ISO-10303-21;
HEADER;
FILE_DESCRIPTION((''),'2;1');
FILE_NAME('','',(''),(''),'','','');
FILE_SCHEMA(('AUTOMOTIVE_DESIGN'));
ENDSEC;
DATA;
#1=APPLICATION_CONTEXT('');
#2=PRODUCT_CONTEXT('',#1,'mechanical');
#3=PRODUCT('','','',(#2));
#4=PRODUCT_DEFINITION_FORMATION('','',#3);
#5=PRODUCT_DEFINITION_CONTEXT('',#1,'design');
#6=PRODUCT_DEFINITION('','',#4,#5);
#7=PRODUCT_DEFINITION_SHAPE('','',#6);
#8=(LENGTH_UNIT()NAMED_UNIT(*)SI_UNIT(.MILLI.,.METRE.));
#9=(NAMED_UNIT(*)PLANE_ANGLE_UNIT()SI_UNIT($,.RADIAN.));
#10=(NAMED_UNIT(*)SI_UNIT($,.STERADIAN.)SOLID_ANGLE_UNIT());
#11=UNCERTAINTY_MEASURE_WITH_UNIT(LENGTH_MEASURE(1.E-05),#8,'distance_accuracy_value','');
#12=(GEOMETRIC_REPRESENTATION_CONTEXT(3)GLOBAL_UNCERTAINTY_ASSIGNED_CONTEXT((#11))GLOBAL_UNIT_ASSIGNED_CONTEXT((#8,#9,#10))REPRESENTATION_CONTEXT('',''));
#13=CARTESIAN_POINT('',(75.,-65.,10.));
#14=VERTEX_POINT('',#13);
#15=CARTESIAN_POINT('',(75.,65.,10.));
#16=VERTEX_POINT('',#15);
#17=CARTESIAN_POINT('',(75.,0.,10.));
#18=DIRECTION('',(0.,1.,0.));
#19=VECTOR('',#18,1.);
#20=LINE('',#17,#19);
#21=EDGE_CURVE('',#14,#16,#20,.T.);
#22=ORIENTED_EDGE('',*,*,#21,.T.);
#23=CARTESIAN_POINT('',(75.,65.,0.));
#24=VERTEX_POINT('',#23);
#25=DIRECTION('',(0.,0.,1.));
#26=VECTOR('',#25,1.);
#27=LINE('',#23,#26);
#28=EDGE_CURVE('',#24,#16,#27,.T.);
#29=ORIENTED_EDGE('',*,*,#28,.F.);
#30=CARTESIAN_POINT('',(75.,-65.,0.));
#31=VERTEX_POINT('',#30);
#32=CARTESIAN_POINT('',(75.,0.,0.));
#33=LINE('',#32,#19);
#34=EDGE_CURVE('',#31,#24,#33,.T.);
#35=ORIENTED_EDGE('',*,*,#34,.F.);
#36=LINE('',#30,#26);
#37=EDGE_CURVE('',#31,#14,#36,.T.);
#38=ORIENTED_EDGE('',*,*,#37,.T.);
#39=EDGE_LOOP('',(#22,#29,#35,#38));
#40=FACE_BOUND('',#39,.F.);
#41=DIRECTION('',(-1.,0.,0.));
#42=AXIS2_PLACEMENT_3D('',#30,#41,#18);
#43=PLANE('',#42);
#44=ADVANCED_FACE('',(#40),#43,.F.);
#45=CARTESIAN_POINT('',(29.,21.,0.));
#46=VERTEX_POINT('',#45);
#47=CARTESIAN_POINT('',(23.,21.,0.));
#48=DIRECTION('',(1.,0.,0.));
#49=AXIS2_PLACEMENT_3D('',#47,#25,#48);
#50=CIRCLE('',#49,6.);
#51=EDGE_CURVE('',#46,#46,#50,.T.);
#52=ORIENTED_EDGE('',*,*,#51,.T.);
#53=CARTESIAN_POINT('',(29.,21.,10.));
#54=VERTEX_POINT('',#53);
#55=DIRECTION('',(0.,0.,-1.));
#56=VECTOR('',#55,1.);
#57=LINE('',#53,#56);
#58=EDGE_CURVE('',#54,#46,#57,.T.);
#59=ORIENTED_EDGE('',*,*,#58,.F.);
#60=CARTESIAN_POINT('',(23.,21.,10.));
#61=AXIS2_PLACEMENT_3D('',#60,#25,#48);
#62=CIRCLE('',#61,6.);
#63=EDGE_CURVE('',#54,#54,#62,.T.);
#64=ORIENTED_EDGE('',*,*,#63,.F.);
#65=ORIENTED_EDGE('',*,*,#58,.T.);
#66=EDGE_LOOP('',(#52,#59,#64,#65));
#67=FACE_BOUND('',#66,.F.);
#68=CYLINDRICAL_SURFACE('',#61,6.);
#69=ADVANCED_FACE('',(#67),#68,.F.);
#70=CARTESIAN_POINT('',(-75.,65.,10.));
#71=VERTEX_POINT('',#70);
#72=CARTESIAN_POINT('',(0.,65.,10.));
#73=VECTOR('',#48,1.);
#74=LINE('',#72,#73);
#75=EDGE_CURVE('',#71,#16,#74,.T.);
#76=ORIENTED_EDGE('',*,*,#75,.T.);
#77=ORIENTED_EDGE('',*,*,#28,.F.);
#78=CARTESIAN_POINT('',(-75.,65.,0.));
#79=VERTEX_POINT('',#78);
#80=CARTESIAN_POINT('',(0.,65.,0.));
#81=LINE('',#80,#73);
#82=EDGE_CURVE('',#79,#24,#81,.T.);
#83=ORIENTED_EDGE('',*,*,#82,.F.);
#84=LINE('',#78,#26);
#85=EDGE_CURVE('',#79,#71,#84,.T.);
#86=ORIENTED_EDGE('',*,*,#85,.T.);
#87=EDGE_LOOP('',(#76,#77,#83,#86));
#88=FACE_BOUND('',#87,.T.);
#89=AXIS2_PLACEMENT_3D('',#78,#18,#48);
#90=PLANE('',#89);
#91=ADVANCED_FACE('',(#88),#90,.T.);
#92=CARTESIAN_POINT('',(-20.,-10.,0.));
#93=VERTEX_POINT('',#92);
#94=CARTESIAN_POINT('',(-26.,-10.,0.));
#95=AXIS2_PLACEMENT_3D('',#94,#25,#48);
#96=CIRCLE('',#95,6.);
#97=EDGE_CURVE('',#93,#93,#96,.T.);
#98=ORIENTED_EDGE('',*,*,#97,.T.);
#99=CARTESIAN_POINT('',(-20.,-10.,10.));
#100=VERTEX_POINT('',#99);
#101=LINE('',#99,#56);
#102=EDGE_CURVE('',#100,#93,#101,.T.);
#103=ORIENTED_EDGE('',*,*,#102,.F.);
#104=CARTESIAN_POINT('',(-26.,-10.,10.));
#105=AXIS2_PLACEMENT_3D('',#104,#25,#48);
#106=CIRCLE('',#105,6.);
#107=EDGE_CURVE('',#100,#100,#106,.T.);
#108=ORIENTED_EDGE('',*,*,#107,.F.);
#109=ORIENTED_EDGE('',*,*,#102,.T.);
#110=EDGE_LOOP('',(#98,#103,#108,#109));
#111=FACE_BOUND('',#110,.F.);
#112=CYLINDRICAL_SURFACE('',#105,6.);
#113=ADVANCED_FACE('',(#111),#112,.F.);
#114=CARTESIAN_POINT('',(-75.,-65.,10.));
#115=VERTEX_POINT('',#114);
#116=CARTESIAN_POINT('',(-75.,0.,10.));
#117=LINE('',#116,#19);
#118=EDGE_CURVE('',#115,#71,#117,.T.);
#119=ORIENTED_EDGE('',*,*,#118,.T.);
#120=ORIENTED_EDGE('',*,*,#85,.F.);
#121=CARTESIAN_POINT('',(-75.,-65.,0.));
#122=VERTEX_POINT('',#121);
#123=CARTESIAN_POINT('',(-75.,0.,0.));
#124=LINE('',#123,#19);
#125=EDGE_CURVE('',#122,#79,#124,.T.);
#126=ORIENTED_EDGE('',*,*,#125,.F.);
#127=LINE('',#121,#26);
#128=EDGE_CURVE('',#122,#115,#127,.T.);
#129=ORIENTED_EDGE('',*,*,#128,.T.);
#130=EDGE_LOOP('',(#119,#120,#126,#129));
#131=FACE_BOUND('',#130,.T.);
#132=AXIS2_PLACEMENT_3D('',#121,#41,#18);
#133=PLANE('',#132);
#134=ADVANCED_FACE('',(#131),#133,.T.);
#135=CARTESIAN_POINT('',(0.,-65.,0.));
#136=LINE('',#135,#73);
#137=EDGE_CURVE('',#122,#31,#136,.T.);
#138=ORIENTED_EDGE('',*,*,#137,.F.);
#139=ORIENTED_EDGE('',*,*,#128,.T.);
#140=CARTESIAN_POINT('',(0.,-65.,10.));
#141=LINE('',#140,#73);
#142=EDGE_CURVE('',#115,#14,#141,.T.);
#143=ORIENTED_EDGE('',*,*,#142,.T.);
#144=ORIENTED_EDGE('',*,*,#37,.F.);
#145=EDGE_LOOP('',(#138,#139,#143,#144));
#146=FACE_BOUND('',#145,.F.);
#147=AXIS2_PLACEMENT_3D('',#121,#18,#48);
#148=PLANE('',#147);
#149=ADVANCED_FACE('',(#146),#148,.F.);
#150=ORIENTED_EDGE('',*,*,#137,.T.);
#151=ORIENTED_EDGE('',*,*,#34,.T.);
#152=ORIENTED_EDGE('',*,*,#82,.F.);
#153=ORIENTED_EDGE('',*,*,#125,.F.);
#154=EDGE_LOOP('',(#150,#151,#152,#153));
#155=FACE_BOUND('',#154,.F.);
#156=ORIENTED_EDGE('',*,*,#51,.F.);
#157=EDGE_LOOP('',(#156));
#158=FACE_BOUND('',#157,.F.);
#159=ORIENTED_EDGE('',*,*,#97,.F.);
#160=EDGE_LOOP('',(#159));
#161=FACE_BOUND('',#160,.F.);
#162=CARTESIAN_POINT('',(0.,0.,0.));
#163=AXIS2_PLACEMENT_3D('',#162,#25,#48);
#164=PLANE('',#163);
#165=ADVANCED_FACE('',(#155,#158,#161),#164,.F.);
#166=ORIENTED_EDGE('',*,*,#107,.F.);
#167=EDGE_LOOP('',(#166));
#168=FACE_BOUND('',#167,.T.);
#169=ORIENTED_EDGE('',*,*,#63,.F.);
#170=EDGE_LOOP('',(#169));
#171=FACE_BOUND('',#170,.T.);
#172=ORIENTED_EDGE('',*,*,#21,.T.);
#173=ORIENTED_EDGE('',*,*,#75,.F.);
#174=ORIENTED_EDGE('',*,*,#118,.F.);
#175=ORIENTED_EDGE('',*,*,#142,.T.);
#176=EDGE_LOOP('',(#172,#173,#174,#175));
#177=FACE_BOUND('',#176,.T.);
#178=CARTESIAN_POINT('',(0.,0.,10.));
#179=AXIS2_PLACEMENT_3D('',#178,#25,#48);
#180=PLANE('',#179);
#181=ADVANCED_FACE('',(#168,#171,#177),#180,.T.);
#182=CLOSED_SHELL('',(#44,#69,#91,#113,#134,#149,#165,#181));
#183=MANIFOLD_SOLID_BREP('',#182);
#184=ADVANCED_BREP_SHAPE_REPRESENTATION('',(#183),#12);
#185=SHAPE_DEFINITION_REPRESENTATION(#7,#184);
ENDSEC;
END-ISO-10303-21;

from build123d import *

# Parameters (mm, degrees)
SKETCH_W     = 150
SKETCH_H     = 130
PAD_DEPTH    = 10
SKETCH001_R  = 6
POCKET_DEPTH = 10.001


with BuildPart() as part:
    # Sketch → Pad (new body)
    with BuildSketch(Plane.XY):
        Rectangle(SKETCH_W, SKETCH_H)
    extrude(amount=PAD_DEPTH)

    # Sketch001 (on Face6 of Pad) → Pocket (cut, through all)
    with BuildSketch(Plane.XY.offset(10)):
        with Locations((23, 21)):
            Circle(SKETCH001_R)
        with Locations((-26, -10)):
            Circle(SKETCH001_R)
    extrude(amount=-POCKET_DEPTH, mode=Mode.SUBTRACT)


solid = part.part
